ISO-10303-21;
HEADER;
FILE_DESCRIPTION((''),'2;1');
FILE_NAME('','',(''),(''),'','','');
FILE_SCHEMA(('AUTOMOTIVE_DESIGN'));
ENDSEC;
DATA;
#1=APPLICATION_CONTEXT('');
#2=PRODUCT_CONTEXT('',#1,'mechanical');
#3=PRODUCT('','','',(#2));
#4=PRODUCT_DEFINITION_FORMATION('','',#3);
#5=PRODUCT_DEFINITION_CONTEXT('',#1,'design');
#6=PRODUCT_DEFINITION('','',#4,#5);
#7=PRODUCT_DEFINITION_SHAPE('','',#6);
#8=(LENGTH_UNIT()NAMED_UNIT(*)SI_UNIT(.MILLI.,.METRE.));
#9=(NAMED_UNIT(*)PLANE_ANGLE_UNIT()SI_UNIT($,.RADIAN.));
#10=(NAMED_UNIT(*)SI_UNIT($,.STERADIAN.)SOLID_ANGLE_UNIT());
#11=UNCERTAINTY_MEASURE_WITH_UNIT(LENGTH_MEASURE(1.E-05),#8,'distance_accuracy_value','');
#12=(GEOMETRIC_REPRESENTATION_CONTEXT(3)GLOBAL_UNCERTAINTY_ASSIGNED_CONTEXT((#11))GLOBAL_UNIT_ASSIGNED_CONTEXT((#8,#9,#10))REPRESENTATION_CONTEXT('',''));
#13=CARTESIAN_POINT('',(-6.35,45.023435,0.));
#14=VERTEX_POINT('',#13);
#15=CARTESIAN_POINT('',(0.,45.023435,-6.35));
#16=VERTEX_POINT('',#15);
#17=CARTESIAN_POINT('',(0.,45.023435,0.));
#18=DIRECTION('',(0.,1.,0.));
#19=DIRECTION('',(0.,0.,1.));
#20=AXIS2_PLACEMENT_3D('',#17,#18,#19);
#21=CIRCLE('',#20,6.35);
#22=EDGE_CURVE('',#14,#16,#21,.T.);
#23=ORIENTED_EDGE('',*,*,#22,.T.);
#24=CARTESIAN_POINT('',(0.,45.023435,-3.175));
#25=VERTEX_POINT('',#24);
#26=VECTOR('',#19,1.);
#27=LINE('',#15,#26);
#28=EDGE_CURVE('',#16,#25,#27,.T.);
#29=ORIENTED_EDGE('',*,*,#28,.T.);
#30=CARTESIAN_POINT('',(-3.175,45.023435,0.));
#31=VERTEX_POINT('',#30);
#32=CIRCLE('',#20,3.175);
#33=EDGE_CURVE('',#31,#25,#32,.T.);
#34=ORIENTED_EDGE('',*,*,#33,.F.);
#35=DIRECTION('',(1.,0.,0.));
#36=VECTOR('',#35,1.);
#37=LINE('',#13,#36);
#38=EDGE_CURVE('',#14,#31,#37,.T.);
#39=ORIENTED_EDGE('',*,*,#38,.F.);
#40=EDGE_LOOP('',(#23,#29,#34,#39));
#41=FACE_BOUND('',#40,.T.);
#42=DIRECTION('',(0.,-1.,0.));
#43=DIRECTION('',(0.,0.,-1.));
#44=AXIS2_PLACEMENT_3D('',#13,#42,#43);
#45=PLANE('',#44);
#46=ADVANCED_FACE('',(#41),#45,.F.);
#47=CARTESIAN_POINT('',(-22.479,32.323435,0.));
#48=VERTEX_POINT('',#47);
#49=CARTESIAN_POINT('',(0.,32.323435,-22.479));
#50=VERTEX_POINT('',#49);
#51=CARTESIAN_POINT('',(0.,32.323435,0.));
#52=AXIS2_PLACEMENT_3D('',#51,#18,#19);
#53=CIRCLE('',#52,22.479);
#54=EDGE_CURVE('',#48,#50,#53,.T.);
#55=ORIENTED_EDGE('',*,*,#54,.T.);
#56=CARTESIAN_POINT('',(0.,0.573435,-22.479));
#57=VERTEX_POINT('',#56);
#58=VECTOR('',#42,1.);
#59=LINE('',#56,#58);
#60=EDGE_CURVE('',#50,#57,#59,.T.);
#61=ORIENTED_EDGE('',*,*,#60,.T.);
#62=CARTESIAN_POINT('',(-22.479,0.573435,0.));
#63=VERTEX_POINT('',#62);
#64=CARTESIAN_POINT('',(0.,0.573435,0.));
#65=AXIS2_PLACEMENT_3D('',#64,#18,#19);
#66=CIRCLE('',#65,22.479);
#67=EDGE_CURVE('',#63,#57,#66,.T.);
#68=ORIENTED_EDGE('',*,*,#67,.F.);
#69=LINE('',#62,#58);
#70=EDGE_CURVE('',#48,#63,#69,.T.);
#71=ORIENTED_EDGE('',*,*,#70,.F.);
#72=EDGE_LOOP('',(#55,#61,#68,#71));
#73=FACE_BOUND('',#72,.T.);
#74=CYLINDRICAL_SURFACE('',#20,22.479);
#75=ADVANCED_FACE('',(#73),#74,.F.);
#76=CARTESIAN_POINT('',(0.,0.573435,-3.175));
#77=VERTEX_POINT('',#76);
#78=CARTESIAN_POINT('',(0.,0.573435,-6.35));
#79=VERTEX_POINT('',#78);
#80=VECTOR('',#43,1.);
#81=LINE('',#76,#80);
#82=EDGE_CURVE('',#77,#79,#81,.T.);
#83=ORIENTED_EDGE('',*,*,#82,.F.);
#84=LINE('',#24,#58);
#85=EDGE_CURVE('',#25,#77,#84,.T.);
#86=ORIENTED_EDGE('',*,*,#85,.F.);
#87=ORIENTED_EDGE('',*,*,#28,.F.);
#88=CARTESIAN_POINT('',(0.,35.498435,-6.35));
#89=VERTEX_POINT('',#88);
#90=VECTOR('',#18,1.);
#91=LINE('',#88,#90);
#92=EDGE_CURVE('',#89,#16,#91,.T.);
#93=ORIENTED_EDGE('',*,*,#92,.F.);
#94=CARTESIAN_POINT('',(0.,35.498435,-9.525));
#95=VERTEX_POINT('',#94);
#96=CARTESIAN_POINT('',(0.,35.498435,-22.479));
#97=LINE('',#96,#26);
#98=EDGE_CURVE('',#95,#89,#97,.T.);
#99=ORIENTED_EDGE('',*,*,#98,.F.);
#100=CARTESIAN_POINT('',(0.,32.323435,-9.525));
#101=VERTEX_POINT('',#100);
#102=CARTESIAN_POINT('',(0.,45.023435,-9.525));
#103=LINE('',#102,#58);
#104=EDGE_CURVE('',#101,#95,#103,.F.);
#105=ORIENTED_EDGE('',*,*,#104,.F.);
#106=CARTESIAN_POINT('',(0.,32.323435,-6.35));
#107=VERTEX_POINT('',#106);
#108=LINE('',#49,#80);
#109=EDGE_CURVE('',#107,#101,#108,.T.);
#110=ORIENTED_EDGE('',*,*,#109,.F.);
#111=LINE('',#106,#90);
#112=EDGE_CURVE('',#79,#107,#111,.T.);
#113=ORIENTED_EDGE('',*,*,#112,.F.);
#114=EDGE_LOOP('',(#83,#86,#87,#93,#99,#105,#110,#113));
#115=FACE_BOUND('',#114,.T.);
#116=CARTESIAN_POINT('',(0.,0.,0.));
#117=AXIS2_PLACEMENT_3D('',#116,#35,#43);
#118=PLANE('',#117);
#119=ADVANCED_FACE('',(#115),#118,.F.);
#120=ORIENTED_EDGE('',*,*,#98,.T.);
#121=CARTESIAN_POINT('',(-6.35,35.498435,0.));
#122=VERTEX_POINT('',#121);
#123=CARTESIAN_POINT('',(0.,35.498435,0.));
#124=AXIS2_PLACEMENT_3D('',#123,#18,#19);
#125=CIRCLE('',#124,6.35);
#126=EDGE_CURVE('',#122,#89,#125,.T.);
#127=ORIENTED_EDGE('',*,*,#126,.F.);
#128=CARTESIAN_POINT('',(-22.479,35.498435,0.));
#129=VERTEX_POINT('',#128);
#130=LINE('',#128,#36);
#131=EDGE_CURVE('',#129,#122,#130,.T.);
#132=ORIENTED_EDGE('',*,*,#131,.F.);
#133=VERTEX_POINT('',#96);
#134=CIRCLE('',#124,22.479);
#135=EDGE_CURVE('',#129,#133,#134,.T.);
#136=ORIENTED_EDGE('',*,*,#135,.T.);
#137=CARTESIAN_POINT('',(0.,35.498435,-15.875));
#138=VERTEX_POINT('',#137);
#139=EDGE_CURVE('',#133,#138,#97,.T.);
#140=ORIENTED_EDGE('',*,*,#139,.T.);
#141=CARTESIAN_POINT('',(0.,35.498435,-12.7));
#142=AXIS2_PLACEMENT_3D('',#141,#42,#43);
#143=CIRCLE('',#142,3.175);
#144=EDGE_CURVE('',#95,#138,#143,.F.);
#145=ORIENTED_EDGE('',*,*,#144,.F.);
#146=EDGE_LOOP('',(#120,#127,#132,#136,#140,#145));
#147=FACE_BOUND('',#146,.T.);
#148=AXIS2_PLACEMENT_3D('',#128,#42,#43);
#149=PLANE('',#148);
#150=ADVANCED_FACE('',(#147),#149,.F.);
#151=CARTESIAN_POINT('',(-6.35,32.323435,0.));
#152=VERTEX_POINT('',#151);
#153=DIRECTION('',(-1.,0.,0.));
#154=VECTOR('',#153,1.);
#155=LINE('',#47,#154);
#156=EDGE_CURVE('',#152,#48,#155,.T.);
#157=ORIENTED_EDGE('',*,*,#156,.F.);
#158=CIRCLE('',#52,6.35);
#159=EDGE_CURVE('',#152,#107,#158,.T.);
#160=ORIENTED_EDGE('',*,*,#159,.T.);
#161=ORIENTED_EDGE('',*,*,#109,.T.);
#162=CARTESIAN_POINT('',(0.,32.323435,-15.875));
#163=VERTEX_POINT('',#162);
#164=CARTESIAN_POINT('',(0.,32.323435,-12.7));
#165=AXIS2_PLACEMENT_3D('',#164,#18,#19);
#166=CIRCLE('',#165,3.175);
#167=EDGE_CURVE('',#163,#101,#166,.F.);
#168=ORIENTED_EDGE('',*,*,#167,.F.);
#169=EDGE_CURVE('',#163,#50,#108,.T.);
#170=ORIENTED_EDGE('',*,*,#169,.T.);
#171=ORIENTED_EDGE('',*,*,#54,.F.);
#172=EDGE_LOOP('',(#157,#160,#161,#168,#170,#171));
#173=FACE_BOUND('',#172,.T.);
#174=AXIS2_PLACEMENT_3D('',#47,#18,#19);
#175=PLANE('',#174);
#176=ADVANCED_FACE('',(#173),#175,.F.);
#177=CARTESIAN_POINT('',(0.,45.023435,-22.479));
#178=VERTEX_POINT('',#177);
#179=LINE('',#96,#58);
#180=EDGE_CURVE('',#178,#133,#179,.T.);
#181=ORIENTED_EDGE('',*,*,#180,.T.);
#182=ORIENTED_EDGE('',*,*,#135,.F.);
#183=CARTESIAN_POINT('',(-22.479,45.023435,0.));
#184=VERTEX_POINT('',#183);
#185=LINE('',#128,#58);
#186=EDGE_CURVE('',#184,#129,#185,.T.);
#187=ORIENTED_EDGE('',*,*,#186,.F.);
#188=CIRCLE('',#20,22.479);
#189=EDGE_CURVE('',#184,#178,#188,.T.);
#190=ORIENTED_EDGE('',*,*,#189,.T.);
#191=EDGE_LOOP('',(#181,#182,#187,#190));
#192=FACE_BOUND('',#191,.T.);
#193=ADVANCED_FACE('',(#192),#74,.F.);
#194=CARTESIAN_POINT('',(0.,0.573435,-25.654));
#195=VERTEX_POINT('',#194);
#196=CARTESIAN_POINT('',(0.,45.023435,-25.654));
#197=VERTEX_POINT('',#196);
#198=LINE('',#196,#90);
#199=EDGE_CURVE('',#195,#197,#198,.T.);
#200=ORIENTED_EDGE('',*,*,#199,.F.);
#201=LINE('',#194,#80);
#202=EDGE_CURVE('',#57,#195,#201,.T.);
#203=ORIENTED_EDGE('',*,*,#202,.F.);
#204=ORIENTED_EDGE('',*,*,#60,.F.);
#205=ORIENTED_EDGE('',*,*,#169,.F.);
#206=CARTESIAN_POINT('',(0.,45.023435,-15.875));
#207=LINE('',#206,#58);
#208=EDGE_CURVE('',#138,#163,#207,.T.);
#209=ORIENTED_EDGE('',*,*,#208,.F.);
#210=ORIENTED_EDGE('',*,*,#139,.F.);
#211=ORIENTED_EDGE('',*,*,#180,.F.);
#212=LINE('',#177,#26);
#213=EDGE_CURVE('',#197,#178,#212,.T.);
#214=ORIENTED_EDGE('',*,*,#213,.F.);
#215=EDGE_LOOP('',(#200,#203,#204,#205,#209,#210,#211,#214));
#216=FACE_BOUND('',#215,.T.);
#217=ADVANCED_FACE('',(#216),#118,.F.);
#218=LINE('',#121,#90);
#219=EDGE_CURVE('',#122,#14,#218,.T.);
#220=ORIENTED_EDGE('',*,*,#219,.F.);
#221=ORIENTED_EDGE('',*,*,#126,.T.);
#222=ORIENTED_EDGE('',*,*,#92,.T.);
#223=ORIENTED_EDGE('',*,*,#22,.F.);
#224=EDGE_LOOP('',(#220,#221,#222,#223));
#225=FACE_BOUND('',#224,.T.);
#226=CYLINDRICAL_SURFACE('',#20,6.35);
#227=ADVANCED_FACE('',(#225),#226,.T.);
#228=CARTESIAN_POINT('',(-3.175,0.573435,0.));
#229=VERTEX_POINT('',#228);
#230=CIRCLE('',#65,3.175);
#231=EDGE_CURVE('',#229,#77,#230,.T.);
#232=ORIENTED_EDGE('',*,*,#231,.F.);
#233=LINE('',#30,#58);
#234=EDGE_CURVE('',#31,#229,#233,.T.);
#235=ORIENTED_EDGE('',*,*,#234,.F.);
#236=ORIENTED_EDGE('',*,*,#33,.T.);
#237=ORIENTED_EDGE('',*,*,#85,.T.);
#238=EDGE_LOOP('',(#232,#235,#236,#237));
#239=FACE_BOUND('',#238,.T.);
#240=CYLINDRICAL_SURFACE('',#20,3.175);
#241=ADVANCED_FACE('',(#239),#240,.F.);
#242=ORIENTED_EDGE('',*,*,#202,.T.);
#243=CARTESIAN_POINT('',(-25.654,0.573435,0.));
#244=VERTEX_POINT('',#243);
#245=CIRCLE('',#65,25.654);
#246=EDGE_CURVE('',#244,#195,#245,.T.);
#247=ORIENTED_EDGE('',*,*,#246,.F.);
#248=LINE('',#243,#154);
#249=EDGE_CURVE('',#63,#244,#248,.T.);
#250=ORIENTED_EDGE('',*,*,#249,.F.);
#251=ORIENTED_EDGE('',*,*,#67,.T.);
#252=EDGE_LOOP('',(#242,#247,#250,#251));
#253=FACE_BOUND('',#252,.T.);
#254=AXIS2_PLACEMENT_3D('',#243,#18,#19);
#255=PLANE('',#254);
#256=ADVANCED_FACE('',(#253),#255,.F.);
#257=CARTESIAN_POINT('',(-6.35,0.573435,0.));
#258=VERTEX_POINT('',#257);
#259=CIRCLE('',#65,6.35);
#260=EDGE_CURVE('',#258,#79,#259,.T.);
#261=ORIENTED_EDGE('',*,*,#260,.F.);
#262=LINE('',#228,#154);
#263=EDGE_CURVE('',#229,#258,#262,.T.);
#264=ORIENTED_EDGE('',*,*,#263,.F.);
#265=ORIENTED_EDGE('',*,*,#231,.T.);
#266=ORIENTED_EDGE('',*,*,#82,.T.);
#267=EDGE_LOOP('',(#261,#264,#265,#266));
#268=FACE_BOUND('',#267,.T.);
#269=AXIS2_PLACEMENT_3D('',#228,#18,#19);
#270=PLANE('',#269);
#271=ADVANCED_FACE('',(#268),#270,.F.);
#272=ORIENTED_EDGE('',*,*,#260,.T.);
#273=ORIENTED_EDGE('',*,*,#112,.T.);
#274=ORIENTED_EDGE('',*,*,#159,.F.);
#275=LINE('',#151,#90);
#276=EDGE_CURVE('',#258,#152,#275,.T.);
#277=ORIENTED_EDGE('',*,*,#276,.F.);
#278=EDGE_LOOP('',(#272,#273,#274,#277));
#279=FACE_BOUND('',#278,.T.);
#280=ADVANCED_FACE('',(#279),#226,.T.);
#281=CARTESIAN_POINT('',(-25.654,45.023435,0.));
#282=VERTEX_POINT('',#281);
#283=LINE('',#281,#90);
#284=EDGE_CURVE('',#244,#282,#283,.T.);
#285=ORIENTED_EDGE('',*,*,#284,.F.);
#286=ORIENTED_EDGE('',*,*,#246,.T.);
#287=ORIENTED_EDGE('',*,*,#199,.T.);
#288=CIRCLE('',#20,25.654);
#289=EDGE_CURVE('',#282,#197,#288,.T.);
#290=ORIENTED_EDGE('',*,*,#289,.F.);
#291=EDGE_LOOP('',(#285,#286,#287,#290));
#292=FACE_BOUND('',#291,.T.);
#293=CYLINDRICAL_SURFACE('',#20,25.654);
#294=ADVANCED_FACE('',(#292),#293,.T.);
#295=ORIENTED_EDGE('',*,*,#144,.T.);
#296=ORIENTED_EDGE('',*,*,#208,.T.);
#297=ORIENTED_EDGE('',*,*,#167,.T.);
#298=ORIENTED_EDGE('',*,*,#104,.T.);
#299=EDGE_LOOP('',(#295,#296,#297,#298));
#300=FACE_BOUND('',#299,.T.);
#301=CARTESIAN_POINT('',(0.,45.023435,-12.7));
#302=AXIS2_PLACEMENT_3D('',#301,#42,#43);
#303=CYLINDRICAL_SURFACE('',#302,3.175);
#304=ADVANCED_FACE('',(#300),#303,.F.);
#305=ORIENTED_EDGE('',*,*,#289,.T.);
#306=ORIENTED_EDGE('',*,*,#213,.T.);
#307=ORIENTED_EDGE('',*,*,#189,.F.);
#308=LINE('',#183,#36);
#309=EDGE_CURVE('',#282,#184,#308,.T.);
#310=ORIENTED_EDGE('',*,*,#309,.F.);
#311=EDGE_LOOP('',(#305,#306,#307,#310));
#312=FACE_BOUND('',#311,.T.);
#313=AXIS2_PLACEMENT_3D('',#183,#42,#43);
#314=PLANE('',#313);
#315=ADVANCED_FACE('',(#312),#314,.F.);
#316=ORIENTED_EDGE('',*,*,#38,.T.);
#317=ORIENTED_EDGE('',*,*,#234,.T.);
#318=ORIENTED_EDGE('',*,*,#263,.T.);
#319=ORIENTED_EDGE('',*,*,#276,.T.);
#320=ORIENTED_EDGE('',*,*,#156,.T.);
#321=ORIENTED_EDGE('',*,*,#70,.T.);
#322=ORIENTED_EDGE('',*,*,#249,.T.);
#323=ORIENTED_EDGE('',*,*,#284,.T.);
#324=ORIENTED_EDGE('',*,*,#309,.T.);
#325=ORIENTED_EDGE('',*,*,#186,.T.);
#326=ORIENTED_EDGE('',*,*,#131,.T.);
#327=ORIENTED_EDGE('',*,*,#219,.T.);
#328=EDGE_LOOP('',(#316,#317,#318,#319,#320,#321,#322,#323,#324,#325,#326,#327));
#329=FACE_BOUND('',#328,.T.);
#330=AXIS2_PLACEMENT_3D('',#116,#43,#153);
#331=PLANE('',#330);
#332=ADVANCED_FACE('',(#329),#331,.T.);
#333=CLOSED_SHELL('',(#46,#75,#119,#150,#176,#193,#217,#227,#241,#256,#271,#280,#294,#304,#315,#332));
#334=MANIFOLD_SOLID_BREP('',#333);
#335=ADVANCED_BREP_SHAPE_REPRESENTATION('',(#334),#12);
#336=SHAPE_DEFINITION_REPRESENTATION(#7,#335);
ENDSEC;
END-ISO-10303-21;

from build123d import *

# Parameters (mm, degrees)
REVOLVE2_ANGLE     = 270
SKETCH5_R          = 3.175
CUT_EXTRUDE1_DEPTH = 46.023434974


with BuildPart() as part:
    # Sketch1 → Revolve2 (revolve)
    with BuildSketch(Plane(origin=(0, 0, 0), x_dir=(0, 0, -1), z_dir=(1, 0, 0))):
        Polygon((22.479, 35.498434974), (22.479, 45.023434974), (25.654, 45.023434974), (25.654, 0.573434974), (22.479, 0.573434974), (22.479, 32.323434974), (6.35, 32.323434974), (6.35, 0.573434974), (3.175, 0.573434974), (3.175, 45.023434974), (6.35, 45.023434974), (6.35, 35.498434974), align=None)
    revolve(axis=Axis((0, 45.023434974, 0), (0, -1, 0)), revolution_arc=REVOLVE2_ANGLE)

    # Sketch5 → Cut-Extrude1 (cut, through all)
    with BuildSketch(Plane(origin=(0, 0, 0), x_dir=(1, 0, 0), z_dir=(0, 1, 0))):
        with Locations((0, 12.7)):
            Circle(SKETCH5_R)
    extrude(amount=CUT_EXTRUDE1_DEPTH, mode=Mode.SUBTRACT)


solid = part.part
